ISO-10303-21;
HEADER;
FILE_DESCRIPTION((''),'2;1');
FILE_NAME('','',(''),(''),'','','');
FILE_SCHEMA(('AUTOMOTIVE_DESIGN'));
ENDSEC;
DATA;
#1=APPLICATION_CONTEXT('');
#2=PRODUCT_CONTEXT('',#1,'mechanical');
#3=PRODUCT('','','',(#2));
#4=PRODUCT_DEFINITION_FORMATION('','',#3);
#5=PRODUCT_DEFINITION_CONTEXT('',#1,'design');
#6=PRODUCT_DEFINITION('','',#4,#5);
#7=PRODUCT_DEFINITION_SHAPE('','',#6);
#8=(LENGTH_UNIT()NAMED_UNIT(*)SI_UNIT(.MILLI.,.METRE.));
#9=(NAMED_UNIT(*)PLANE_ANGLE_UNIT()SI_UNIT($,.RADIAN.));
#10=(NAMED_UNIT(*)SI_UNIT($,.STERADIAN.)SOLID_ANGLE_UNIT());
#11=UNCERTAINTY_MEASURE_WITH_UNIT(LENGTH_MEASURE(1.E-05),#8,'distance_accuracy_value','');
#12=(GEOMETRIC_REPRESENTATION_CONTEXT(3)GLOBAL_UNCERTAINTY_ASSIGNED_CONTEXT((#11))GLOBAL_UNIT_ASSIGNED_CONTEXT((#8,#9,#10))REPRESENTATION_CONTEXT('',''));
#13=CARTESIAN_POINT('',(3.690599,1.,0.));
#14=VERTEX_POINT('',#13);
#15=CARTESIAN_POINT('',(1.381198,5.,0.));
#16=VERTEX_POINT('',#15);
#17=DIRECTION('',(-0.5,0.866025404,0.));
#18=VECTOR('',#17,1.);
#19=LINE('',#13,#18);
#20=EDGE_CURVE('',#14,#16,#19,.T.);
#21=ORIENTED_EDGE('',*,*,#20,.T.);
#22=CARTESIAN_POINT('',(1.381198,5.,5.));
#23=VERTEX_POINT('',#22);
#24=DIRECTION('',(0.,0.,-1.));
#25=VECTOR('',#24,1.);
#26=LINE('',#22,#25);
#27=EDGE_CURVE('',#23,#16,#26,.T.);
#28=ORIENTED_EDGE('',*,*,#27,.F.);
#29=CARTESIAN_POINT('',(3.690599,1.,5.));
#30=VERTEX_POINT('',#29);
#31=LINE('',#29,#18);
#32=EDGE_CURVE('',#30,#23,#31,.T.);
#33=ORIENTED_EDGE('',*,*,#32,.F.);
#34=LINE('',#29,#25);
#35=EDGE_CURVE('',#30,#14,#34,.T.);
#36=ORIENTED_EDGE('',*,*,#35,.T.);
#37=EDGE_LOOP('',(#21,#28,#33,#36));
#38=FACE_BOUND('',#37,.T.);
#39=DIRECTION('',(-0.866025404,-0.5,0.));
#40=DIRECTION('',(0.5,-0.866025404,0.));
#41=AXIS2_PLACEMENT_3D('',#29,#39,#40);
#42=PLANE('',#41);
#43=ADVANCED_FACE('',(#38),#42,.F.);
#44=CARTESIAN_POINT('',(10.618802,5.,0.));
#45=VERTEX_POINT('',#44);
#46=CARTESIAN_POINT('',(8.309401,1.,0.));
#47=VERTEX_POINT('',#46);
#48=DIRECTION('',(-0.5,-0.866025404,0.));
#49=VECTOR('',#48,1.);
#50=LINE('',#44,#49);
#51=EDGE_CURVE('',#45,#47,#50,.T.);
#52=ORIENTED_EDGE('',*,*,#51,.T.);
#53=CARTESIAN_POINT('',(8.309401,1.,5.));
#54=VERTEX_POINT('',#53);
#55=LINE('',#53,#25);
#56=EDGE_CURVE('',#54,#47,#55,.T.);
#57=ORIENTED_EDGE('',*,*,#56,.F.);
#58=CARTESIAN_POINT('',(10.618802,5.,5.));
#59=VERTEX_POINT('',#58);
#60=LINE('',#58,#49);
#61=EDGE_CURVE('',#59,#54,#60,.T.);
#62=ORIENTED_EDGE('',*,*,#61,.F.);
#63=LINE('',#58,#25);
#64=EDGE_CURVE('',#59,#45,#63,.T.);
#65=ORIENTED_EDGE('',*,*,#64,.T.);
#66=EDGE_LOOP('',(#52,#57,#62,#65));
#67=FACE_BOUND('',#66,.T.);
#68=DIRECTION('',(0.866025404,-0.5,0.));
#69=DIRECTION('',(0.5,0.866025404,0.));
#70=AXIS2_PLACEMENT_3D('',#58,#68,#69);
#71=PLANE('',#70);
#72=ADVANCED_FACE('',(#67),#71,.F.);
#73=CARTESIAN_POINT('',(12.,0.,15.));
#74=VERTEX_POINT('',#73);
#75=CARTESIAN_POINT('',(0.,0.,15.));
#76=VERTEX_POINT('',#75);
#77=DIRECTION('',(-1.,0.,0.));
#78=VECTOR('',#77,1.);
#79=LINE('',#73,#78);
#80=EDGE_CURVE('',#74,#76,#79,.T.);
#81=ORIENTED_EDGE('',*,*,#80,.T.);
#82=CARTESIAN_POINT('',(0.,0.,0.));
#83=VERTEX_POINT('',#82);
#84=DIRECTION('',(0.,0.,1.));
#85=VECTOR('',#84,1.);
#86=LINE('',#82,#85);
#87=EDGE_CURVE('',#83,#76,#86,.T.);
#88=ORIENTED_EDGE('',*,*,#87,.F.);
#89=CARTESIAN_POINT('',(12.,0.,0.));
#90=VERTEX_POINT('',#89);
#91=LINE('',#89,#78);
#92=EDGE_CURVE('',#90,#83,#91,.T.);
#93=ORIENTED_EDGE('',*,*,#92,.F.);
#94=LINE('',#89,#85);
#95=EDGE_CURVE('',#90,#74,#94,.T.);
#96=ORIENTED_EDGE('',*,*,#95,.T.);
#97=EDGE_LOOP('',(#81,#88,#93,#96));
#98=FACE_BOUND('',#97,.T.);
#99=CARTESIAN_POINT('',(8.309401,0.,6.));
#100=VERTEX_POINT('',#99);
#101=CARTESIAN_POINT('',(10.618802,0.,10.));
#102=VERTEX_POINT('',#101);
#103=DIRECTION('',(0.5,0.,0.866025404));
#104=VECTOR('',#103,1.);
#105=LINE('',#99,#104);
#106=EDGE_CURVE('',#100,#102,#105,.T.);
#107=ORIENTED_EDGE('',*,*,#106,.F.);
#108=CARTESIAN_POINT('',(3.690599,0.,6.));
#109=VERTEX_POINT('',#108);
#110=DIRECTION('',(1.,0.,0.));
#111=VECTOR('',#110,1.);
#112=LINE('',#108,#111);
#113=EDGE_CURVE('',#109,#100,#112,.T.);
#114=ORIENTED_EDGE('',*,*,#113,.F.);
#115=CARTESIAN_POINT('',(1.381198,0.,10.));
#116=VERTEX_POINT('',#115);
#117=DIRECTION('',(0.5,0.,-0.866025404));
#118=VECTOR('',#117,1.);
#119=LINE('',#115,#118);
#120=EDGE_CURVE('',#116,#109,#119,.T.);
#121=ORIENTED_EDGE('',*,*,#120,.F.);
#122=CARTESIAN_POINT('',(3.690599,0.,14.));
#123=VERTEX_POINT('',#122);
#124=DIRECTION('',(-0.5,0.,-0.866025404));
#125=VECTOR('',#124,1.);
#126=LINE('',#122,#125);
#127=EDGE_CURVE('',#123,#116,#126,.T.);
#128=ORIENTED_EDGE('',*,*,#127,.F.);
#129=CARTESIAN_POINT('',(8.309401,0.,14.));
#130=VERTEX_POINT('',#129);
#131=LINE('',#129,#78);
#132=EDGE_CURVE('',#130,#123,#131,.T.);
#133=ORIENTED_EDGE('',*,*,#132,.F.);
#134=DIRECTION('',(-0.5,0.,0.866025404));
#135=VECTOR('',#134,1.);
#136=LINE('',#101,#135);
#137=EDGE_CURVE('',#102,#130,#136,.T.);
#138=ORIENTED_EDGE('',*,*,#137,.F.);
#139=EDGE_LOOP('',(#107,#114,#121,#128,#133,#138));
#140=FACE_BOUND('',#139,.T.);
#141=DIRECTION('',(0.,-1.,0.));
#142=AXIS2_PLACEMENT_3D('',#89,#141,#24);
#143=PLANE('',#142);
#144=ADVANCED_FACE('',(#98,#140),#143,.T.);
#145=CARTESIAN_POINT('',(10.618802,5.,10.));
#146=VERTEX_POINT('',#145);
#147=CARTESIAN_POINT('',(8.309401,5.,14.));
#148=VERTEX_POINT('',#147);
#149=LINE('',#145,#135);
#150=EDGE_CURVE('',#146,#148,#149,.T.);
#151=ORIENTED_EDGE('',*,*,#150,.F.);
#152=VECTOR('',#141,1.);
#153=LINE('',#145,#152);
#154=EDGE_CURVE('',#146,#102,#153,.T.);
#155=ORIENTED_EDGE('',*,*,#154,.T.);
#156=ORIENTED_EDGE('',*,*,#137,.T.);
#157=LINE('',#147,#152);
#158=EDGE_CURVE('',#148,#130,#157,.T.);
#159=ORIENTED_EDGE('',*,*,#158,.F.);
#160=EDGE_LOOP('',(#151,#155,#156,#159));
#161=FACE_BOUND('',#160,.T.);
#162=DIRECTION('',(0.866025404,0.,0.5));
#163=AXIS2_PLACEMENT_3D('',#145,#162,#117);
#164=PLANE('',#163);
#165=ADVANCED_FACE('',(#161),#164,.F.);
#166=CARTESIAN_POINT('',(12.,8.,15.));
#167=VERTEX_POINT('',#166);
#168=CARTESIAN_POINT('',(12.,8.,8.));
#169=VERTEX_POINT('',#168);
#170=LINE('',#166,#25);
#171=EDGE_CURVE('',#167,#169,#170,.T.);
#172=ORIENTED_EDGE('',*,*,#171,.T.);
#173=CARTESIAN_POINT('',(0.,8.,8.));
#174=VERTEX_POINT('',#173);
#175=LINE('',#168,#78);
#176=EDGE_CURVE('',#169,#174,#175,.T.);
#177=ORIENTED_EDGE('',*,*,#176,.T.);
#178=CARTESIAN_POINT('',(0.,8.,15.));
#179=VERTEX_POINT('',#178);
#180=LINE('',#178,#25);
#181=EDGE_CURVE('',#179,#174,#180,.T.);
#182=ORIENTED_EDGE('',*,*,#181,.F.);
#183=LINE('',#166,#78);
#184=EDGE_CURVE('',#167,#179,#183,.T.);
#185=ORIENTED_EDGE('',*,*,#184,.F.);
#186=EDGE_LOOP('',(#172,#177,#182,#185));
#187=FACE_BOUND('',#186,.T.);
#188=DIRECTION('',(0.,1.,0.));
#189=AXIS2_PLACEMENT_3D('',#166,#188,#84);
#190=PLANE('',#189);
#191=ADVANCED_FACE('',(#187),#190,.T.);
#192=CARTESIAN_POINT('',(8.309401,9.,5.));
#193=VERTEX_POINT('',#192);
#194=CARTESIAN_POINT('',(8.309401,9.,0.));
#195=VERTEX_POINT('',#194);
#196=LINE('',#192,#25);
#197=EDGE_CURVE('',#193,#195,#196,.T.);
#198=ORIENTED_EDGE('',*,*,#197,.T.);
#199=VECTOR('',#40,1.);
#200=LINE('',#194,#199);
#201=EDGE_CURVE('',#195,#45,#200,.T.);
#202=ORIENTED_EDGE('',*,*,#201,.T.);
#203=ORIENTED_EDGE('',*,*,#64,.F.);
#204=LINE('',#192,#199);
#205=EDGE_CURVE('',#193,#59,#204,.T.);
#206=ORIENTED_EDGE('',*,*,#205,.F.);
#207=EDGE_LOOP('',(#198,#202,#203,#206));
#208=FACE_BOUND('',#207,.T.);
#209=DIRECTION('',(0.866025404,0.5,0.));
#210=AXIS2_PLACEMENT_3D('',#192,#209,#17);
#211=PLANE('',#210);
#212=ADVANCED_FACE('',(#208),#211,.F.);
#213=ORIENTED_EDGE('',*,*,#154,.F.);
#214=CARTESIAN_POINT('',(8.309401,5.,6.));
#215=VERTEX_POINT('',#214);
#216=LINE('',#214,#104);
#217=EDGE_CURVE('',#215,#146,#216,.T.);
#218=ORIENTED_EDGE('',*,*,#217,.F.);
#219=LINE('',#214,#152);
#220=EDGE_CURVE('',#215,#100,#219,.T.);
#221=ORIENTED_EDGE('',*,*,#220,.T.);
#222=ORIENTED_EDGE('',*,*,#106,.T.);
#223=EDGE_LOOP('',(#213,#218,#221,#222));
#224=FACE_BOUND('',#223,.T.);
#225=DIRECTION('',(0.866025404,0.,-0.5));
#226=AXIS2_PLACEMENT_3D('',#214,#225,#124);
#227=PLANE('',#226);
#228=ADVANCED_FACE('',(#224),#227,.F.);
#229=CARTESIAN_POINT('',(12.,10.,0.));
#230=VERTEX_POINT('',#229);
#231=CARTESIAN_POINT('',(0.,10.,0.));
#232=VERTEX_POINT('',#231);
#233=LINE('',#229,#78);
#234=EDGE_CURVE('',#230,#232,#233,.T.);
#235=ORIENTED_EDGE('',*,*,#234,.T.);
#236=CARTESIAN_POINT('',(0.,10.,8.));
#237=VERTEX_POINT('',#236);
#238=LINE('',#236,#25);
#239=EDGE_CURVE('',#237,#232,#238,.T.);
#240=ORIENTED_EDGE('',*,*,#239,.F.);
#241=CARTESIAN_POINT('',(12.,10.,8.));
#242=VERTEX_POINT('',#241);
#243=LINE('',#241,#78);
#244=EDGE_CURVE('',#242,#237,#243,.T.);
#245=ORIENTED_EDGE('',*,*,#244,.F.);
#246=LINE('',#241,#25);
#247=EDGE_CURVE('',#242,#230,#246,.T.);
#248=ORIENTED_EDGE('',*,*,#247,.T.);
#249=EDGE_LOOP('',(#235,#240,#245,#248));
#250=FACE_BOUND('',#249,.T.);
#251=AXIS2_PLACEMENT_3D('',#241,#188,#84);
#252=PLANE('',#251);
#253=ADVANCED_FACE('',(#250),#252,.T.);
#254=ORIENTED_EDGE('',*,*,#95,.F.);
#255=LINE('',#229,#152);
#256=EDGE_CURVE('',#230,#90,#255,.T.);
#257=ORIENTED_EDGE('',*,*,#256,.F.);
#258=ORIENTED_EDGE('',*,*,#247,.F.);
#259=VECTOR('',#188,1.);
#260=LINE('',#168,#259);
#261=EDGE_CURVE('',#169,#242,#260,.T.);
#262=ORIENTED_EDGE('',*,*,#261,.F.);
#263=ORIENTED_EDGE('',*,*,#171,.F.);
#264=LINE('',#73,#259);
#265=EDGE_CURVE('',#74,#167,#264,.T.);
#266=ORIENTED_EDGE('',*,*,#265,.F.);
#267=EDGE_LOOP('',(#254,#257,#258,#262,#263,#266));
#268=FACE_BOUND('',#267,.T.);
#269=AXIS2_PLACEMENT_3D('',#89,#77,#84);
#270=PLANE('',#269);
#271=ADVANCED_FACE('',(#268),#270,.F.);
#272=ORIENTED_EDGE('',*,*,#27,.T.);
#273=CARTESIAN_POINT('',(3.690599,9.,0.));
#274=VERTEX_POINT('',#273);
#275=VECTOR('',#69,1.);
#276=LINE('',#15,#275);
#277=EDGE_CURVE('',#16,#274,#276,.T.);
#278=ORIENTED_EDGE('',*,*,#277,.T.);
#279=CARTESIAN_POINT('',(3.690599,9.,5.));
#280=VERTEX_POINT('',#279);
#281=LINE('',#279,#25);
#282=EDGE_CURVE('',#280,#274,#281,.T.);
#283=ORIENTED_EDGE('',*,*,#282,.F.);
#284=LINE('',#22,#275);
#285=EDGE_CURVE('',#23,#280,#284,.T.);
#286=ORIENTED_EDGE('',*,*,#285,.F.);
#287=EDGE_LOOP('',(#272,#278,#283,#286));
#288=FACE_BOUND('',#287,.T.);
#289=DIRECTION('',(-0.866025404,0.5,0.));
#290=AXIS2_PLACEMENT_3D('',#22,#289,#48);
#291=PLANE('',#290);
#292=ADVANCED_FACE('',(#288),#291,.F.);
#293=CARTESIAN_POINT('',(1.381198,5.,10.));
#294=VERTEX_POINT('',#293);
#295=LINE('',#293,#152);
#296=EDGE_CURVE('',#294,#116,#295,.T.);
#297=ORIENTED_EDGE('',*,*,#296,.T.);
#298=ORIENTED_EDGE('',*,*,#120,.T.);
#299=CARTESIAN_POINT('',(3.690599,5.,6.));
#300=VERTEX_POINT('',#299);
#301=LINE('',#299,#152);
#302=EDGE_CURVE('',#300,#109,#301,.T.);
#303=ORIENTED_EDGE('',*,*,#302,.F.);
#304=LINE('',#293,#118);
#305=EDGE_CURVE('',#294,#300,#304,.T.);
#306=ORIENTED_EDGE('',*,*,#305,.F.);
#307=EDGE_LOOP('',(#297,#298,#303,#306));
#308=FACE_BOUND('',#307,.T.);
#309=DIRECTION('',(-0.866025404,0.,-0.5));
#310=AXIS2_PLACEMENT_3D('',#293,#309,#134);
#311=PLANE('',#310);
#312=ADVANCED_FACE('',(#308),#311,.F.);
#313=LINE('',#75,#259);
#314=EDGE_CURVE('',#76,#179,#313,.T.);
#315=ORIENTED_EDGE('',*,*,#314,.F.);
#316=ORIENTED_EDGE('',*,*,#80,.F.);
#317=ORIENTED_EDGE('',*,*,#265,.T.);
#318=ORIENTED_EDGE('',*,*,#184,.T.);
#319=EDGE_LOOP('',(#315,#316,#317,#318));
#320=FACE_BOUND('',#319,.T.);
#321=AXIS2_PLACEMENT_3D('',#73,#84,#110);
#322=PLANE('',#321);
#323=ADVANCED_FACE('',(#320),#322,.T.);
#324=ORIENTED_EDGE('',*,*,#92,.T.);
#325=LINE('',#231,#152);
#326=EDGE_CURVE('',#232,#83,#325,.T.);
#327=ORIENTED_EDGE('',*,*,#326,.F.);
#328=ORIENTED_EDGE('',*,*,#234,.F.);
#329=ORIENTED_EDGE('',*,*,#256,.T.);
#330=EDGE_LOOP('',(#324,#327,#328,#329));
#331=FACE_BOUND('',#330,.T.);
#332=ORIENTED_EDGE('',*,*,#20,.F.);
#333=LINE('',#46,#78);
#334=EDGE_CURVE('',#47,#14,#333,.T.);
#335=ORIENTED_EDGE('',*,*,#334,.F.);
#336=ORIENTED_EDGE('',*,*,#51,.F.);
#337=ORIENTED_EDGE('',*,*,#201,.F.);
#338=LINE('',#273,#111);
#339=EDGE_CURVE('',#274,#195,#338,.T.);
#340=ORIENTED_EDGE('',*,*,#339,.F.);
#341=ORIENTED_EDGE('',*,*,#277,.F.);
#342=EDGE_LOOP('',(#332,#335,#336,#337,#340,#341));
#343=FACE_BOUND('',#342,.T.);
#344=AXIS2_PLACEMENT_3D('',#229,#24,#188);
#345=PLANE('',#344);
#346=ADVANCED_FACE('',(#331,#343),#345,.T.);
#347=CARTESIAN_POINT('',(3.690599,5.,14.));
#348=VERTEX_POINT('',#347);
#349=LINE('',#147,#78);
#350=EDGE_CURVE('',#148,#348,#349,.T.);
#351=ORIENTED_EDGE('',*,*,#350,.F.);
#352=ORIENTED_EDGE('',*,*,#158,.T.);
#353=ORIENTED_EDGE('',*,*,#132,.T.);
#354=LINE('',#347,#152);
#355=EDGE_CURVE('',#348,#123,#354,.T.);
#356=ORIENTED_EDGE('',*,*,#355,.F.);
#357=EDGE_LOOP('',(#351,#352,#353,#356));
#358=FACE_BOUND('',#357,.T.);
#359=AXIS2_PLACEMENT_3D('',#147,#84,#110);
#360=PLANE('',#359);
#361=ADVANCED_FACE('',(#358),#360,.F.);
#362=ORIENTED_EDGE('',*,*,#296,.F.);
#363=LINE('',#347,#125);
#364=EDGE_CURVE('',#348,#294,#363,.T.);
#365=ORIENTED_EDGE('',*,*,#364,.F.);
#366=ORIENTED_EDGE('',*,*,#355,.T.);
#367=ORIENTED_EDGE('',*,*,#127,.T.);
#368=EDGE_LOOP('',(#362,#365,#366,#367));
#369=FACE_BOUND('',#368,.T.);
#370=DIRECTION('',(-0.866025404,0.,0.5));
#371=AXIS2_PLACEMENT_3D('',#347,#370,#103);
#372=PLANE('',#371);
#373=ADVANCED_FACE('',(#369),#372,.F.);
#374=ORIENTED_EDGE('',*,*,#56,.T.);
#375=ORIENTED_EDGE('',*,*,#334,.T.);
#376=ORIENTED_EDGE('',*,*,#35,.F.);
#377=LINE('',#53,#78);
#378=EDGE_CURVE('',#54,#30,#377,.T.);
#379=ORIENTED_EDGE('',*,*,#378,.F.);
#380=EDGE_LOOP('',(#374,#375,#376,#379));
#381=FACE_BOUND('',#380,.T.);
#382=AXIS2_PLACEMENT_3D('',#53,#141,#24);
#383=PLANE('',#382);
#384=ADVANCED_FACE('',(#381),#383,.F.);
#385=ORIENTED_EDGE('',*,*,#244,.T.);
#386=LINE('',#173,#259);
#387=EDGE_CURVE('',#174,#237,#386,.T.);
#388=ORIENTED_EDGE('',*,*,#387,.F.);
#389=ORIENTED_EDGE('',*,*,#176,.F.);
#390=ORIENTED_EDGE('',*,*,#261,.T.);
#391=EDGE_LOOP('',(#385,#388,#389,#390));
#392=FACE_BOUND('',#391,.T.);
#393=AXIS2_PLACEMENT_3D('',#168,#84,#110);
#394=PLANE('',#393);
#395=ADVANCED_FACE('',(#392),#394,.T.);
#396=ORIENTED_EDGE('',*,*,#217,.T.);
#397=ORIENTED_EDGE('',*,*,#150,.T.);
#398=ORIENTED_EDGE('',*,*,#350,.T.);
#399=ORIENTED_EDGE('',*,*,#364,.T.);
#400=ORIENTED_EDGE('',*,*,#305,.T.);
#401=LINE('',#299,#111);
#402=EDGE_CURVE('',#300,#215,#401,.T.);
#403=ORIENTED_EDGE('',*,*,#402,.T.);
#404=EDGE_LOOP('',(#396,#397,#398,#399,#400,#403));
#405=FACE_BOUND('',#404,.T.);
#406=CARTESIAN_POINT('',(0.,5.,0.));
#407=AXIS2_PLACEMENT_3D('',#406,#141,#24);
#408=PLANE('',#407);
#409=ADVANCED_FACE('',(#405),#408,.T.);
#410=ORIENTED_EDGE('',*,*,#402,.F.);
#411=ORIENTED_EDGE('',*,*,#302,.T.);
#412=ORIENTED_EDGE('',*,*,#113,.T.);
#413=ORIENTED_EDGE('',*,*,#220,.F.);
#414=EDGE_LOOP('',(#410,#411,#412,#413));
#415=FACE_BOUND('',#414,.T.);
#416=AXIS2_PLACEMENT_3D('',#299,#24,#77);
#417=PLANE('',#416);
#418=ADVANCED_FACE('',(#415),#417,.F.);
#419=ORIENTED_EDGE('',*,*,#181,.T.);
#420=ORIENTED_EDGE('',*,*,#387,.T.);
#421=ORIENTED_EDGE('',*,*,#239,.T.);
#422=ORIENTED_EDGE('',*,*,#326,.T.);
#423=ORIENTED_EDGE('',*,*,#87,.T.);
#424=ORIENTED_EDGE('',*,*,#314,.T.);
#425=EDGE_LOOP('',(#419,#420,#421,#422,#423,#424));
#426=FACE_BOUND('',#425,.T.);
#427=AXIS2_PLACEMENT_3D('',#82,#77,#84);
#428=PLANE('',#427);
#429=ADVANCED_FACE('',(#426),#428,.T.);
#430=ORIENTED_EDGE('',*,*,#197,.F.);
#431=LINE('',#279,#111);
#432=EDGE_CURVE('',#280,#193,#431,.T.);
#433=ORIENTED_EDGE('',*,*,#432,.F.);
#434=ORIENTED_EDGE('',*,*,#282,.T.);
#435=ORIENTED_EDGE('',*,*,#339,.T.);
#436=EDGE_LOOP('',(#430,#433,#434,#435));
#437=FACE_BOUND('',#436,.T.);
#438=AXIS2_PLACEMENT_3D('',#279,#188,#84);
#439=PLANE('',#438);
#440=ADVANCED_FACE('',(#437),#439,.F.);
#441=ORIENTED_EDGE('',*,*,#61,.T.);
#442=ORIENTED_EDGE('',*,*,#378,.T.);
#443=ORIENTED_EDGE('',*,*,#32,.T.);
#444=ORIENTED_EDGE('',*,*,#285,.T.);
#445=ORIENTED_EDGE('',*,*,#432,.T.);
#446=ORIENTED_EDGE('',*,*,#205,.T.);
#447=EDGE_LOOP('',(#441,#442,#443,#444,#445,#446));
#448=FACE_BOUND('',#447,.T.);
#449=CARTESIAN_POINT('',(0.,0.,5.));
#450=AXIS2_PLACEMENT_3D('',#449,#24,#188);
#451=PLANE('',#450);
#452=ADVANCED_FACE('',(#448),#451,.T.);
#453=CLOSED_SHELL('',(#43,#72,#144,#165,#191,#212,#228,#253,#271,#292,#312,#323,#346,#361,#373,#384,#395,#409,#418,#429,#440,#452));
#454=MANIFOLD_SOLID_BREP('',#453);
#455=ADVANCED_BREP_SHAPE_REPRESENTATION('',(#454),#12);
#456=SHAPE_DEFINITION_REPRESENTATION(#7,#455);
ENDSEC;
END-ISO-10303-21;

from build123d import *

# Parameters (mm, degrees)
BOSS_EXTRUDE1_DEPTH = 12
CUT_EXTRUDE1_DEPTH  = 5
CUT_EXTRUDE2_DEPTH  = 5


with BuildPart() as part:
    # Sketch2 → Boss-Extrude1 (new body)
    with BuildSketch(Plane(origin=(0, 0, 0), x_dir=(0, 0, -1), z_dir=(1, 0, 0))):
        Polygon((0, 0), (-15, 0), (-15, 8), (-8, 8), (-8, 10), (0, 10), align=None)
    extrude(amount=BOSS_EXTRUDE1_DEPTH)

    # Sketch3 → Cut-Extrude1 (cut)
    with BuildSketch(Plane(origin=(0, 0, 0), x_dir=(-1, 0, 0), z_dir=(0, 0, -1))):
        Polygon((-3.690598923, 9), (-8.309401077, 9), (-10.618802154, 5), (-8.309401077, 1), (-3.690598923, 1), (-1.381197846, 5), align=None)
    extrude(amount=-CUT_EXTRUDE1_DEPTH, mode=Mode.SUBTRACT)

    # Sketch4 → Cut-Extrude2 (cut)
    with BuildSketch(Plane.XZ):
        Polygon((3.690598923, 6), (8.309401077, 6), (10.618802154, 10), (8.309401077, 14), (3.690598923, 14), (1.381197846, 10), align=None)
    extrude(amount=-CUT_EXTRUDE2_DEPTH, mode=Mode.SUBTRACT)


solid = part.part
